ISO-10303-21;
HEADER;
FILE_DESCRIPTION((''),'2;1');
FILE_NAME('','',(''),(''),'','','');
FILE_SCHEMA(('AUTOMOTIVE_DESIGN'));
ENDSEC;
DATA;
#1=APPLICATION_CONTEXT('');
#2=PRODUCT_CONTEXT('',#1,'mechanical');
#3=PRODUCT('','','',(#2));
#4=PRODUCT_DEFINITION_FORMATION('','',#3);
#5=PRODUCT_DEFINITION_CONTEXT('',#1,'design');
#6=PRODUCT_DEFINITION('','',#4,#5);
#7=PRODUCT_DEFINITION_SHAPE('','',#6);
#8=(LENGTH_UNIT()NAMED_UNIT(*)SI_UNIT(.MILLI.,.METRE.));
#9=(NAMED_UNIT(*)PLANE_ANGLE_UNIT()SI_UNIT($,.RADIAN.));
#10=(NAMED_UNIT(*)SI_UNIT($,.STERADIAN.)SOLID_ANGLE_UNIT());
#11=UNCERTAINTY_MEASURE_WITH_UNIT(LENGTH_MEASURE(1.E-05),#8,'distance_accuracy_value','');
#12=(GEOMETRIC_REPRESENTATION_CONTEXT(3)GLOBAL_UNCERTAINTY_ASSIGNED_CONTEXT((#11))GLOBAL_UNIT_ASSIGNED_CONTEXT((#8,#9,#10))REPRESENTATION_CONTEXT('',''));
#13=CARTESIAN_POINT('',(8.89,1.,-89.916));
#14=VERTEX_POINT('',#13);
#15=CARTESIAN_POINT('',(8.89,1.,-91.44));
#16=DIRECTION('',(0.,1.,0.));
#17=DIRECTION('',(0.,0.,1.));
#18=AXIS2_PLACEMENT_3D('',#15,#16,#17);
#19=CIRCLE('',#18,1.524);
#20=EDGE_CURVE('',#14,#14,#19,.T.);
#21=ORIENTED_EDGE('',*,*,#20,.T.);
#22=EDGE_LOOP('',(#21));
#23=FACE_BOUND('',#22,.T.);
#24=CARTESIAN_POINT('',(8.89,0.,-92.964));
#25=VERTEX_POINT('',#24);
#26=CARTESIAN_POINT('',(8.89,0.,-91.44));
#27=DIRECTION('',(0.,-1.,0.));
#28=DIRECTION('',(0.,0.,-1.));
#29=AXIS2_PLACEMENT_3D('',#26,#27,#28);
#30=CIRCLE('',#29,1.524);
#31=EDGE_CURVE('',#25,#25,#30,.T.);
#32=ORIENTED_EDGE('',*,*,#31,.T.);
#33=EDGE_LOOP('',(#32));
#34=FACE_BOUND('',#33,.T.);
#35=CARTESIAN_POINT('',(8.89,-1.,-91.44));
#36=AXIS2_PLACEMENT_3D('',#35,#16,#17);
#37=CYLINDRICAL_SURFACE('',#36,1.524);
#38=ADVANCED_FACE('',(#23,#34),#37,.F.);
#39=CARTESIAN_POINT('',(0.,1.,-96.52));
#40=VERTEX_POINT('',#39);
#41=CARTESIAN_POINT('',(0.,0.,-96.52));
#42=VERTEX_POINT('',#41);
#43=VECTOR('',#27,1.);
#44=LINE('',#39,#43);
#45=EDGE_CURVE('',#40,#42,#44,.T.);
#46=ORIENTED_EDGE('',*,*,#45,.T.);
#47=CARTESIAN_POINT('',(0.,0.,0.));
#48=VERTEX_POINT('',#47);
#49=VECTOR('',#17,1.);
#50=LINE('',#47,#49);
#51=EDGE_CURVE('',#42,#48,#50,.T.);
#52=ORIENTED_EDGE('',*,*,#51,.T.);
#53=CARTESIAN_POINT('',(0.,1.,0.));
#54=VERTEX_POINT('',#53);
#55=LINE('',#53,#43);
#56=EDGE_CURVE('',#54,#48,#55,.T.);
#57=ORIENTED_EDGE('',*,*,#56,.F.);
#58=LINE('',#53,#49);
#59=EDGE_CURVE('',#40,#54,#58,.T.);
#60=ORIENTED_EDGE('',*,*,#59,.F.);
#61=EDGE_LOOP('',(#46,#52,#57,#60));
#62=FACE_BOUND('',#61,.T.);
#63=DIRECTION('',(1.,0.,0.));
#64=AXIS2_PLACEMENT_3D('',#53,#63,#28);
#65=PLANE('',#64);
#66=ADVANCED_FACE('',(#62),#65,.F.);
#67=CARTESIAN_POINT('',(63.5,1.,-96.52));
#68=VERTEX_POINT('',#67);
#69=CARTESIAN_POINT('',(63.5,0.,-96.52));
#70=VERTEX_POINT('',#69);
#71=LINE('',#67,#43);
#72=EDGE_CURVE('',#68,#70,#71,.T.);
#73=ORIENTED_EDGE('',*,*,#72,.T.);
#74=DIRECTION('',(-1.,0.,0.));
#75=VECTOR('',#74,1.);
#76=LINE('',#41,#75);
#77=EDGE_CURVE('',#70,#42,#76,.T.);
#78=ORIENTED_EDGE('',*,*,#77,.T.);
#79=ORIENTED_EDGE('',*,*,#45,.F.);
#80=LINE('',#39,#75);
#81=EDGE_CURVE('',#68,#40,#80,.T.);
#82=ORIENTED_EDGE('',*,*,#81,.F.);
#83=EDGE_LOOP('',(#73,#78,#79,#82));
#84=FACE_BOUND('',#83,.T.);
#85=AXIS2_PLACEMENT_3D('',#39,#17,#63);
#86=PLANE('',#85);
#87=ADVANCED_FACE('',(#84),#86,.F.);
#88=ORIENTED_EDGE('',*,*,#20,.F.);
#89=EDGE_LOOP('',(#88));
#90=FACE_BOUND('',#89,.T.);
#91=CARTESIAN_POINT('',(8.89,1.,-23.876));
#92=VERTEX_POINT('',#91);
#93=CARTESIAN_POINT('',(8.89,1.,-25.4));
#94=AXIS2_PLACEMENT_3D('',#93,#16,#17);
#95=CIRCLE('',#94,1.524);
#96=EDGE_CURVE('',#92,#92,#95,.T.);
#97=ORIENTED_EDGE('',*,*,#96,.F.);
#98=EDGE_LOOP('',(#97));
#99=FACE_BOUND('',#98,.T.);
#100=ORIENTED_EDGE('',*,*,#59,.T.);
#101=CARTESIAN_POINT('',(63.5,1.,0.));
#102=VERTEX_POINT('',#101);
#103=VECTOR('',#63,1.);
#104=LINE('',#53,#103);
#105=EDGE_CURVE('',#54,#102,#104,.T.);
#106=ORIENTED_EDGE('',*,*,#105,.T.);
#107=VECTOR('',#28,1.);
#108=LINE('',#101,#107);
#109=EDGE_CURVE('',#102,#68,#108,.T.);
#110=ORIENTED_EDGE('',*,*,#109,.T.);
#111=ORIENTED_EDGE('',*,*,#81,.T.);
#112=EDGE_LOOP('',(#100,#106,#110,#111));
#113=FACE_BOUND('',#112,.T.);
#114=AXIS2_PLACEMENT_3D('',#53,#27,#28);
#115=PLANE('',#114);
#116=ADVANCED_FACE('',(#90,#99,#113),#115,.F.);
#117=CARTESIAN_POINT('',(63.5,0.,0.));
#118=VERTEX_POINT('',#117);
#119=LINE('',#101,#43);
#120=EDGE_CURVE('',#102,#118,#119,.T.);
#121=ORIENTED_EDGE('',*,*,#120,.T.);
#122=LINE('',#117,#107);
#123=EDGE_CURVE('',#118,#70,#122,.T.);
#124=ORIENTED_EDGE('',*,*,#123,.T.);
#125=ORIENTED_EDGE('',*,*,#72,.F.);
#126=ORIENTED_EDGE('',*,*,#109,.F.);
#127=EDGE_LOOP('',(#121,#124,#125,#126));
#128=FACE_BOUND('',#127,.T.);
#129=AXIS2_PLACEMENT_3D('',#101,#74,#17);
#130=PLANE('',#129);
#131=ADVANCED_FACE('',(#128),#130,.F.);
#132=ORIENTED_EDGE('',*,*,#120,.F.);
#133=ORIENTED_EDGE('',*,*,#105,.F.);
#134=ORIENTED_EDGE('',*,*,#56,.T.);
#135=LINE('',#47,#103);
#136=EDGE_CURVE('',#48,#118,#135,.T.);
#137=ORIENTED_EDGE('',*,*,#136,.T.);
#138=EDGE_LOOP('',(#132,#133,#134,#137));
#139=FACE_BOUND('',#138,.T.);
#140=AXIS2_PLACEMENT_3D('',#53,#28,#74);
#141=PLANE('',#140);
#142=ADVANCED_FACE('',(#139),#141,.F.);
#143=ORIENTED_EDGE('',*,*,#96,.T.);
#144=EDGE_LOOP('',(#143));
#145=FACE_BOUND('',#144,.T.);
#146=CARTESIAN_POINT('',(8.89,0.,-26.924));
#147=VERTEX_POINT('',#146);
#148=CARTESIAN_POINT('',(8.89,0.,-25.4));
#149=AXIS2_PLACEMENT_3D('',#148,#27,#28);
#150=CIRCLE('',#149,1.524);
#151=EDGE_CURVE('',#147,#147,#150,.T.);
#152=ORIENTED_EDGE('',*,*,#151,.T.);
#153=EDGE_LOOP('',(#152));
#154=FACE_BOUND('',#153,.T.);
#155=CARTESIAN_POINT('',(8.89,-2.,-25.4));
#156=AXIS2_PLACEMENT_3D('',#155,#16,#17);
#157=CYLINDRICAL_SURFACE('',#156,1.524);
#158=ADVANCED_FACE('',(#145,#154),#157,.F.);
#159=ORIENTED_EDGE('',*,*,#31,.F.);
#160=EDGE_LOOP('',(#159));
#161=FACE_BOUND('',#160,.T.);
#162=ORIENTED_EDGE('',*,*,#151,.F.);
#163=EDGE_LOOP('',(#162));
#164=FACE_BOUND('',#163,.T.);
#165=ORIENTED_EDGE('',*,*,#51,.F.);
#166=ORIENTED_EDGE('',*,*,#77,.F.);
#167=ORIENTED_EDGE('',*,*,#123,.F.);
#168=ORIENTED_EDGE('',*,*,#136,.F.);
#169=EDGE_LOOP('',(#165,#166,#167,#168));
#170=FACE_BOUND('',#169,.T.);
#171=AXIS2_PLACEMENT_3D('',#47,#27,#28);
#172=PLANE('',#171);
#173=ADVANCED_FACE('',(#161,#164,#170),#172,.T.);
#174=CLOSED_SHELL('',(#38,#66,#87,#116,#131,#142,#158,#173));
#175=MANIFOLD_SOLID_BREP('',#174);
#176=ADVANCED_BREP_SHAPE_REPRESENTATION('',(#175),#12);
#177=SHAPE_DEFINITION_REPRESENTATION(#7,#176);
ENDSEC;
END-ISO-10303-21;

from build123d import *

# Parameters (mm, degrees)
SKETCH1_W              = 63.5
SKETCH1_H              = 96.52
BOSS_EXTRUDE1_DEPTH    = 1
SKETCH2_R              = 1.524
MOUNTING_HOLES_1_DEPTH = 2
SKETCH3_R              = 1.524
MOUNTING_HOLES_2_DEPTH = 3


with BuildPart() as part:
    # Sketch1 → Boss-Extrude1 (new body)
    with BuildSketch(Plane(origin=(0, 0, 0), x_dir=(1, 0, 0), z_dir=(0, 1, 0))):
        with Locations((31.75, 48.26)):
            Rectangle(SKETCH1_W, SKETCH1_H)
    extrude(amount=BOSS_EXTRUDE1_DEPTH)

    # Sketch2 → mounting holes (1) (cut)
    with BuildSketch(Plane(origin=(0, 1, 0), x_dir=(1, 0, 0), z_dir=(0, 1, 0))):
        with Locations(Location((8.89, 91.44, 0), (0, 0, 270))):
            Circle(SKETCH2_R)
    extrude(amount=-MOUNTING_HOLES_1_DEPTH, mode=Mode.SUBTRACT)

    # Sketch3 → mounting holes (2) (cut)
    with BuildSketch(Plane(origin=(0, 1, 0), x_dir=(1, 0, 0), z_dir=(0, 1, 0))):
        with Locations(Location((8.89, 25.4, 0), (0, 0, 270))):
            Circle(SKETCH3_R)
    extrude(amount=-MOUNTING_HOLES_2_DEPTH, mode=Mode.SUBTRACT)


solid = part.part
